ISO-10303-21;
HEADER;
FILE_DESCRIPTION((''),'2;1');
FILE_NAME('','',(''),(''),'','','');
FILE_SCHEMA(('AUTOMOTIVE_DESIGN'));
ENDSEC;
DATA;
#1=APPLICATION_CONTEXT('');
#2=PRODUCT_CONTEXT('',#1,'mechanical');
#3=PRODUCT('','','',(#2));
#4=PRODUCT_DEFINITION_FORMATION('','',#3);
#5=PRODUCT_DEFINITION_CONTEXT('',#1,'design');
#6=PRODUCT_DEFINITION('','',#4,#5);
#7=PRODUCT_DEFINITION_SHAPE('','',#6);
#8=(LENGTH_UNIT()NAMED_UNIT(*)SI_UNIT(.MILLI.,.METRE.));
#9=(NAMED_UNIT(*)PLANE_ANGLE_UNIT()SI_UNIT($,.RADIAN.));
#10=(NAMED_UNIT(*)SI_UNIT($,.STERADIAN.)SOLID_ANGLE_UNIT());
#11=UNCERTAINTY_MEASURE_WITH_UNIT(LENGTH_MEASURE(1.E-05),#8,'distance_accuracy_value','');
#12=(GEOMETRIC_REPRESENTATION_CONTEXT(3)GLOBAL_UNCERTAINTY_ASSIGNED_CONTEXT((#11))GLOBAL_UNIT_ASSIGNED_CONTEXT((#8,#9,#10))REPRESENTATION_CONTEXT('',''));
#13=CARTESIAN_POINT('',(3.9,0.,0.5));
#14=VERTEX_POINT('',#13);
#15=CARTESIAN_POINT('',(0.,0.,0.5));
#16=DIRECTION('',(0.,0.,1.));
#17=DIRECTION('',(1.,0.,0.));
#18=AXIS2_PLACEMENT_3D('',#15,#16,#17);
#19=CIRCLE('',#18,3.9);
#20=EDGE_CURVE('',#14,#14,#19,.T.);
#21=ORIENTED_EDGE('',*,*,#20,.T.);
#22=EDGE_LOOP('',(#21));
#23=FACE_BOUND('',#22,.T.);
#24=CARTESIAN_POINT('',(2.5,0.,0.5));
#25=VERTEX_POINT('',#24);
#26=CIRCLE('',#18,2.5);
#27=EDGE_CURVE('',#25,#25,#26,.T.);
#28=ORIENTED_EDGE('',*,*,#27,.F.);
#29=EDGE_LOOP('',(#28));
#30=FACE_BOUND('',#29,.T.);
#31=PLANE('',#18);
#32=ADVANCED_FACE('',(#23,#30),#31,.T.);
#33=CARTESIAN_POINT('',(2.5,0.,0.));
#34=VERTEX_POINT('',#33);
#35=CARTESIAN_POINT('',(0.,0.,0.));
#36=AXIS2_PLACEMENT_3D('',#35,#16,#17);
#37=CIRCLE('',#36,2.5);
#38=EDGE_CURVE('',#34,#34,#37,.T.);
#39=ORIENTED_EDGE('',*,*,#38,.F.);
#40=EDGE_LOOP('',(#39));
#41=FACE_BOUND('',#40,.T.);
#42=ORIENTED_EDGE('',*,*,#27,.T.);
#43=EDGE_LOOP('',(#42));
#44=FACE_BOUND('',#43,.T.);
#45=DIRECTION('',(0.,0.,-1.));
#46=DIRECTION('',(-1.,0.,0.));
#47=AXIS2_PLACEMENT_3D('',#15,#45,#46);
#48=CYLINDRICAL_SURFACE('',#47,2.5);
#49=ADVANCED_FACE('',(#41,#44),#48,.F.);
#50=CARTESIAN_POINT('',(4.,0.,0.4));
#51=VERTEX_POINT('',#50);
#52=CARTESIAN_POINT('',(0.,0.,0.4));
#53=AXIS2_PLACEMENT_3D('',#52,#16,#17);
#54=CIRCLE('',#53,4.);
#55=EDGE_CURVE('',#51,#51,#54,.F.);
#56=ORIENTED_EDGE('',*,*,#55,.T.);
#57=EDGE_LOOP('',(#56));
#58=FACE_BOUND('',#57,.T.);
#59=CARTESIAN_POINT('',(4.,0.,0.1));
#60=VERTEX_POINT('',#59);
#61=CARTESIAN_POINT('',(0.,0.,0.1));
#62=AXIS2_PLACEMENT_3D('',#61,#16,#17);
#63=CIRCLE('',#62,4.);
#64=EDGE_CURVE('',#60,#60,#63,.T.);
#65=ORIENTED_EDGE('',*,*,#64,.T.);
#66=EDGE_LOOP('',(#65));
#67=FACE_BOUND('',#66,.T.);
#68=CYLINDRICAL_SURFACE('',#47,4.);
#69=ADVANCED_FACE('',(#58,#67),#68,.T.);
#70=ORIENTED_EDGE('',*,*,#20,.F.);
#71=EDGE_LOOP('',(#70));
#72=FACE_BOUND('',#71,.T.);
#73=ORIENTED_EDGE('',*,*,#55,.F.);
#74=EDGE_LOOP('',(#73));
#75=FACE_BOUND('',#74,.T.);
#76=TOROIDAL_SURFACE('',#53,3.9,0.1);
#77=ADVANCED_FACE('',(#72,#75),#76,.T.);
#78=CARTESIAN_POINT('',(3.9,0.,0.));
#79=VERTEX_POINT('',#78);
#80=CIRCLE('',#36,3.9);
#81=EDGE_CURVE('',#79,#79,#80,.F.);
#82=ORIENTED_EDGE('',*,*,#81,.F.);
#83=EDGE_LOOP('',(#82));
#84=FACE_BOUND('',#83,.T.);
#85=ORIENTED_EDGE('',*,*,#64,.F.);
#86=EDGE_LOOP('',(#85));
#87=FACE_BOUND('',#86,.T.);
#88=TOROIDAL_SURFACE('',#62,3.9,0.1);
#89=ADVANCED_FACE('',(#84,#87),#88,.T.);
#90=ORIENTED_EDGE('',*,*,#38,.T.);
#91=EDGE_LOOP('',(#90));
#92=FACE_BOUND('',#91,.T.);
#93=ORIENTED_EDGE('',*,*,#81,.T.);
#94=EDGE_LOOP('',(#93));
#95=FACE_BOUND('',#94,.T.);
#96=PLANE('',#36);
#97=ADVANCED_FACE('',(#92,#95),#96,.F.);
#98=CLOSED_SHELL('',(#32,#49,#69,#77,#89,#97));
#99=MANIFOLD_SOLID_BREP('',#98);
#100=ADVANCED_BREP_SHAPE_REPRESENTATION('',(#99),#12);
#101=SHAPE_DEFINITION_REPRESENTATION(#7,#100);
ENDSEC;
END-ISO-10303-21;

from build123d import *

# Parameters (mm, degrees)
SKETCH_1_R      = 4
SKETCH_1_R_2    = 2.5
EXTRUDE_1_DEPTH = 0.5
FILLET_1_R      = 0.1


with BuildPart() as part:
    # 草图1 → 凸台-拉伸1 (new body)
    with BuildSketch(Plane.XY):
        Circle(SKETCH_1_R)
        Circle(SKETCH_1_R_2, mode=Mode.SUBTRACT)
    extrude(amount=EXTRUDE_1_DEPTH)

    # 圆角1
    fillet_1_edges = [part.edges().sort_by_distance(p)[0] for p in [
        (-4, 0, 0),
        (-4, 0, 0.5),
    ]]
    fillet(fillet_1_edges, radius=FILLET_1_R)


solid = part.part
